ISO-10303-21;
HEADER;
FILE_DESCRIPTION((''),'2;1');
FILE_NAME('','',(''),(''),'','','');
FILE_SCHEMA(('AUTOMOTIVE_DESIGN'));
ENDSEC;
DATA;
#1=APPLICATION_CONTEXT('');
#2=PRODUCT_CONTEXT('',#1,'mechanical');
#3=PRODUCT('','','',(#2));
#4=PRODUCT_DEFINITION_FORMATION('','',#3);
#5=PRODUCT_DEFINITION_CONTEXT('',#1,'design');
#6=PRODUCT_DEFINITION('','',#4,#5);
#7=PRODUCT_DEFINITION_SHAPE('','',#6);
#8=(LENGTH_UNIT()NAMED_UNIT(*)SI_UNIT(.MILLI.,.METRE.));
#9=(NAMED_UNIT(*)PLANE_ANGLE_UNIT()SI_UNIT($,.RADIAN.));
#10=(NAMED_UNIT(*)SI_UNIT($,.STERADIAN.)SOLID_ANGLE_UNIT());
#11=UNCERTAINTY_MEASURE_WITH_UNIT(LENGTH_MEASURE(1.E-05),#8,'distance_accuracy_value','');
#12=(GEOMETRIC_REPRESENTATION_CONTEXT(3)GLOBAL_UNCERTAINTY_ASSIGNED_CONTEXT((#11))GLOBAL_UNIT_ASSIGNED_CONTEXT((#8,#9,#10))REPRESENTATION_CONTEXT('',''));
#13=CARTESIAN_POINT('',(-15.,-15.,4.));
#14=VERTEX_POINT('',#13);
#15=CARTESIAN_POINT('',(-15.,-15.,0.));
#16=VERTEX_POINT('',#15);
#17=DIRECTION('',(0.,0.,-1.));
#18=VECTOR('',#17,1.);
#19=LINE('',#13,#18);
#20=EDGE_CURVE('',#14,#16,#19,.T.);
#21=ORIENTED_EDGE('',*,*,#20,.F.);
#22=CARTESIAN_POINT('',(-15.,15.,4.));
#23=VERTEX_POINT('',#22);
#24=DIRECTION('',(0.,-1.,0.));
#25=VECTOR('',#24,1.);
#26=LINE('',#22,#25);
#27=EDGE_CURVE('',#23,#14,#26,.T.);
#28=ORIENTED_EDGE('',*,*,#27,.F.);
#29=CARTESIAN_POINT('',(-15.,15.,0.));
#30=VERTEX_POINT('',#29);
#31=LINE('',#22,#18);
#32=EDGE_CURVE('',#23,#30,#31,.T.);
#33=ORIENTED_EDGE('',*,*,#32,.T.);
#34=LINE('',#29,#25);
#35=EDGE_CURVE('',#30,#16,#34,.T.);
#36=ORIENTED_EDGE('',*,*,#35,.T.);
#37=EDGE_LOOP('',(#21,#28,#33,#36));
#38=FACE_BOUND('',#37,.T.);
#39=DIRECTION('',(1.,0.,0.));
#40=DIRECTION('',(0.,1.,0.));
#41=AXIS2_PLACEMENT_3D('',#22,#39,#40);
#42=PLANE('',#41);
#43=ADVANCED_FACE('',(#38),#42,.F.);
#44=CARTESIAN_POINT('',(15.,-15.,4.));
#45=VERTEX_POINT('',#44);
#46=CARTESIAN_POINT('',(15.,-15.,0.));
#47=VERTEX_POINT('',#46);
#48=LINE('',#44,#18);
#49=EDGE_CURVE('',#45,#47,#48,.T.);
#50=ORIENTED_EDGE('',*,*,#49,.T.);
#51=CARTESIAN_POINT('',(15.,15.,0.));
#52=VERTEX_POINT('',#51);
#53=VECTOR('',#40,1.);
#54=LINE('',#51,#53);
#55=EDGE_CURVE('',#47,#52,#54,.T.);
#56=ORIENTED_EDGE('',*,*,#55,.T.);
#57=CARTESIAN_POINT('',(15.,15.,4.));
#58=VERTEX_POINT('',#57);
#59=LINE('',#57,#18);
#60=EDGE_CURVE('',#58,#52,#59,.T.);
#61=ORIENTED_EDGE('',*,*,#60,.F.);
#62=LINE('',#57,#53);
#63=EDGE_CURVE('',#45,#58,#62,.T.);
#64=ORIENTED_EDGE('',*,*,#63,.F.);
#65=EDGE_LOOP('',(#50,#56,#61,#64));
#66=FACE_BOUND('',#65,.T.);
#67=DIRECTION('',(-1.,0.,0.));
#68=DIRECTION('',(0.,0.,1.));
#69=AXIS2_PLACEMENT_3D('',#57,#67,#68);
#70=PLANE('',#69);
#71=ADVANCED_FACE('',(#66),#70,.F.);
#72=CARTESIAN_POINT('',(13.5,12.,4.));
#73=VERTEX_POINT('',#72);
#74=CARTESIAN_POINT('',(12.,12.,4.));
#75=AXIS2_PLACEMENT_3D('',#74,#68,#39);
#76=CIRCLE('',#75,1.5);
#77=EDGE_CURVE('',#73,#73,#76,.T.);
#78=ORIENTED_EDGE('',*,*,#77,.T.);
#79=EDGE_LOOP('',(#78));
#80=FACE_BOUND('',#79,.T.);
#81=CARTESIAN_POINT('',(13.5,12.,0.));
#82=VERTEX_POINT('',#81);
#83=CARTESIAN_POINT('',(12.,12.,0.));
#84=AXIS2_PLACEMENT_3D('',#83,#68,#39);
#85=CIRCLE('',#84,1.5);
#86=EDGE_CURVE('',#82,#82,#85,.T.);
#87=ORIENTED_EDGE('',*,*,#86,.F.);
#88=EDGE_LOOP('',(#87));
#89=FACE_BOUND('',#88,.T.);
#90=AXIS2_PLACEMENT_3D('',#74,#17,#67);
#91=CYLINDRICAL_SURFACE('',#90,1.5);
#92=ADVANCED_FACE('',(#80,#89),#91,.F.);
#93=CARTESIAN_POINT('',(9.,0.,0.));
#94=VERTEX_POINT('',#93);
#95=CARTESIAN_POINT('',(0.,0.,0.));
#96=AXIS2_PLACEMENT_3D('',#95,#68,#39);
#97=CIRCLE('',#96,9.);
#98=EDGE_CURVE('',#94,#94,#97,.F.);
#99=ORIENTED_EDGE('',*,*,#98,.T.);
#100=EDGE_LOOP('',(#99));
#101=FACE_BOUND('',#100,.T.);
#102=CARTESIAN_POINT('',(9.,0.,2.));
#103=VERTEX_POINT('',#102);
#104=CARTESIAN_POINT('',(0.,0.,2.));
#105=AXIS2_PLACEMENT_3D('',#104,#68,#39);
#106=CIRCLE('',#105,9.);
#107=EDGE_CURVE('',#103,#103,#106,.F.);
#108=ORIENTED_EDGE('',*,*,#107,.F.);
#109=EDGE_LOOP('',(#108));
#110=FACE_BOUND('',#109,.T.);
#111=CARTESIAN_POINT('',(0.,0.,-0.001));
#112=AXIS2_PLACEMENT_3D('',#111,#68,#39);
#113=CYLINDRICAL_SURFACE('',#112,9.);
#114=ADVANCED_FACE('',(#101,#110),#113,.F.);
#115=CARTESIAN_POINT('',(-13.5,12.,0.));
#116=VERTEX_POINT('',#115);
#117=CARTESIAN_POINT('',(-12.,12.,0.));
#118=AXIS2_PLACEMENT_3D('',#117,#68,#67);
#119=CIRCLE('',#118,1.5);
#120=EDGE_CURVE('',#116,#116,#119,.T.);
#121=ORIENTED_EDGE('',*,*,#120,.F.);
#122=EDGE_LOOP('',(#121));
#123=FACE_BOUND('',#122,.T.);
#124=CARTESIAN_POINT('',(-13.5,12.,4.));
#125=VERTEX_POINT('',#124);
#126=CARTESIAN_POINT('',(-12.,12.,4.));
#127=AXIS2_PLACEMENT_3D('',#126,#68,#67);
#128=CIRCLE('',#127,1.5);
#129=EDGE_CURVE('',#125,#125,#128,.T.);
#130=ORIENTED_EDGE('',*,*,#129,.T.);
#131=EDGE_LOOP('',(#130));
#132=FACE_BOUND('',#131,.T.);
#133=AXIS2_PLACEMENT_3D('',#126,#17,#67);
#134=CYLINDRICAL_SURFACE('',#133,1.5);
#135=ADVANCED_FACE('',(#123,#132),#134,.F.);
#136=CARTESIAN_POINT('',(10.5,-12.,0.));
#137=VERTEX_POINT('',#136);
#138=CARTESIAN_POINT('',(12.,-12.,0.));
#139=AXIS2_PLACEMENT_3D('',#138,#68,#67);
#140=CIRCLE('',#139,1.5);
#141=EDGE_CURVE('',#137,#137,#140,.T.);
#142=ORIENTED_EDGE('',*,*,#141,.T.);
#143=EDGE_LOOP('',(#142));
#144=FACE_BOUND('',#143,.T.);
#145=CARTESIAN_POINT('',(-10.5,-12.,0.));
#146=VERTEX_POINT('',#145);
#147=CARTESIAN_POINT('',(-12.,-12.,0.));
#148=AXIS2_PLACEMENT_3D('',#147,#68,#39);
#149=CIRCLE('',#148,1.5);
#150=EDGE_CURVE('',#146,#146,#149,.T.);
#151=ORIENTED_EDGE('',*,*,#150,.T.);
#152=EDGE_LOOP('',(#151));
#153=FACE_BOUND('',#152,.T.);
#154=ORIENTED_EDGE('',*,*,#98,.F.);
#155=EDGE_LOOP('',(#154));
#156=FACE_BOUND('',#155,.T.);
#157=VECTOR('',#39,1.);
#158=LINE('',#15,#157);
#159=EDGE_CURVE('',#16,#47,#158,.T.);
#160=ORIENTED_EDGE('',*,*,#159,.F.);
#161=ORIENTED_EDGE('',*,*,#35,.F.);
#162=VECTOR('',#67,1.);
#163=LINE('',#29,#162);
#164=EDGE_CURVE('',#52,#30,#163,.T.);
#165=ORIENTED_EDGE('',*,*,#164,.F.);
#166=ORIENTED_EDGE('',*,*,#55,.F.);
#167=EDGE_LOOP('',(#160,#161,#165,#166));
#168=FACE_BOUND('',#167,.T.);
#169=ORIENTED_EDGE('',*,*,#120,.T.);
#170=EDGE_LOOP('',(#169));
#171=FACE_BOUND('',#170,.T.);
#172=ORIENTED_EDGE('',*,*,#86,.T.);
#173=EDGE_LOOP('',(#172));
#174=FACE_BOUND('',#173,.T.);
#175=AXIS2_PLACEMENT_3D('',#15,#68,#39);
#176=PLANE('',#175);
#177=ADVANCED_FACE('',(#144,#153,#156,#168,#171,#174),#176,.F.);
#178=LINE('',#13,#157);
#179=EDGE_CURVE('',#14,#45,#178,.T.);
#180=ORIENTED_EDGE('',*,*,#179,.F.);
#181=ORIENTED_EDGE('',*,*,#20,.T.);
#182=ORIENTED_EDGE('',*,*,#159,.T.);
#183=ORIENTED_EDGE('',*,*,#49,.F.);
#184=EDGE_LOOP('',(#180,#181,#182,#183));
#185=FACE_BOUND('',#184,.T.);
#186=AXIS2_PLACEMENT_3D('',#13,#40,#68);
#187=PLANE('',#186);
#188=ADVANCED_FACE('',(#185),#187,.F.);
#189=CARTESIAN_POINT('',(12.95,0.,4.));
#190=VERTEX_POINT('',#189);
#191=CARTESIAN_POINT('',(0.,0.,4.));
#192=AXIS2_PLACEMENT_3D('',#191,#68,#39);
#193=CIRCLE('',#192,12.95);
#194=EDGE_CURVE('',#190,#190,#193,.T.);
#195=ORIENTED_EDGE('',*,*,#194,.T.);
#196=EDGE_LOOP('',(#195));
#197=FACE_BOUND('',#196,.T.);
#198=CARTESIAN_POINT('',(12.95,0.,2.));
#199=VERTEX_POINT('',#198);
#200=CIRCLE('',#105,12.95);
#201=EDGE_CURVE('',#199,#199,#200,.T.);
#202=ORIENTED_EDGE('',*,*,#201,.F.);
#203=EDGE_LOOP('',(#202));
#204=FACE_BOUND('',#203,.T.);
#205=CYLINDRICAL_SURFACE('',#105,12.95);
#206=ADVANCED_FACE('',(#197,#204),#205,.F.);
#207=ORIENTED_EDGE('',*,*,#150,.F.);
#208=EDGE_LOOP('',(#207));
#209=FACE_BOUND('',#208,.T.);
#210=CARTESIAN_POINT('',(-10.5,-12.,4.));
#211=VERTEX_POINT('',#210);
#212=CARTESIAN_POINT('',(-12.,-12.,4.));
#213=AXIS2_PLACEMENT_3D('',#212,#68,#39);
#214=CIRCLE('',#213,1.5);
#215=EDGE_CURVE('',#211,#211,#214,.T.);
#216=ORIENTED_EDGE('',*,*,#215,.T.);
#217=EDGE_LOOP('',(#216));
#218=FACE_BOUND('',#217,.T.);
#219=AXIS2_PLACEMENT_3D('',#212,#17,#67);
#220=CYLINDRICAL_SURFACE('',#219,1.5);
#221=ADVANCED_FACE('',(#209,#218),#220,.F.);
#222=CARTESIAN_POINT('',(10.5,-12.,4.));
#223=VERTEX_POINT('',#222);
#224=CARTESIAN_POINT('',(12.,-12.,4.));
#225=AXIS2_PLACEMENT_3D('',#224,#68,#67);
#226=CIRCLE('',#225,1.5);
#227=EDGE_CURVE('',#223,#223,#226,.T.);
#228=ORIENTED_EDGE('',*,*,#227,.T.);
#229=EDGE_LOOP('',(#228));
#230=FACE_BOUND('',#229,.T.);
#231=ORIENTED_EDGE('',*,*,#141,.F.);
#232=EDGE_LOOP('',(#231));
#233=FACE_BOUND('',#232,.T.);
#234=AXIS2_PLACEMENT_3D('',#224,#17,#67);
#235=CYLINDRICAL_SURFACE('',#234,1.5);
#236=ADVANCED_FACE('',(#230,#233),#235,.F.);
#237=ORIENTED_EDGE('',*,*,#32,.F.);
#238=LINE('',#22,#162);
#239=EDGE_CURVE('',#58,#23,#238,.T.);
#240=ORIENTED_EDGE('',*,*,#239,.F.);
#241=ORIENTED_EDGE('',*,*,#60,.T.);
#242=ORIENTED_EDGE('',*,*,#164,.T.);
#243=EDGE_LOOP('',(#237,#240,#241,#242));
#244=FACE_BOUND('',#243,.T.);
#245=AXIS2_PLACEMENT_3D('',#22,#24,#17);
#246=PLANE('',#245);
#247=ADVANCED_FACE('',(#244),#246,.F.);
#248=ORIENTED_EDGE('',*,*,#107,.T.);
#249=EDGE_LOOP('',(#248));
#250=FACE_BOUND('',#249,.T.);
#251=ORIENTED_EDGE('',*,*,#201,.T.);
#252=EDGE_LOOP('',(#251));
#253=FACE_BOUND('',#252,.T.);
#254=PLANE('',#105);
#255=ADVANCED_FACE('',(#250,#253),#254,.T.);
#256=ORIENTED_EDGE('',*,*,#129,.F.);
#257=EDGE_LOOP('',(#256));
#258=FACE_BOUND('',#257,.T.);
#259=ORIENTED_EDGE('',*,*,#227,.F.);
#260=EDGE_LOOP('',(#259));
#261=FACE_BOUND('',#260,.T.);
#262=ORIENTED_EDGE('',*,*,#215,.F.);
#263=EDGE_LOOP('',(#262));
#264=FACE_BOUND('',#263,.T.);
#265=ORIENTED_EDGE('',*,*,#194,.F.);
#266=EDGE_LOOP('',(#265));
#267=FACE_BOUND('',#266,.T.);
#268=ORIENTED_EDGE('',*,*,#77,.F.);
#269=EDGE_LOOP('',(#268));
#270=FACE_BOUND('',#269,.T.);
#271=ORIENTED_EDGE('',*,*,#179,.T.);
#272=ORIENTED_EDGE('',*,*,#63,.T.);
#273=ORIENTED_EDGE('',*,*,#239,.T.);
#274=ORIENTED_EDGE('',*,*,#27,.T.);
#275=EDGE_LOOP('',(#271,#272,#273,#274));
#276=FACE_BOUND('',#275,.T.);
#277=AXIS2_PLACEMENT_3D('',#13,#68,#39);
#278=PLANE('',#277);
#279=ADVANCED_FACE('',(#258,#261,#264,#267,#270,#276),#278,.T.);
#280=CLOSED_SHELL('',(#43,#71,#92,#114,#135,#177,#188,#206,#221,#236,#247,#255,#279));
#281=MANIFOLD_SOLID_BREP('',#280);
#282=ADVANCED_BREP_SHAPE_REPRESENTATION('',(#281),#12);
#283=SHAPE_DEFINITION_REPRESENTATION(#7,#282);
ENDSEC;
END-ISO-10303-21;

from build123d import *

# Parameters (mm, degrees)
ESBO_O1_W                = 30
ESBO_O1_H                = 30
ESBO_O1_R                = 1.5
RESSALTO_EXTRUS_O1_DEPTH = 4
CORTE_EXTRUS_O1_REACH    = 23.587
ESBO_O2_R                = 9
ESBO_O4_R                = 12.95
CORTE_EXTRUS_O2_DEPTH    = 2


with BuildPart() as part:
    # Esboço1 → Ressalto-extrusão1 (new body)
    with BuildSketch(Plane.XY):
        Rectangle(ESBO_O1_W, ESBO_O1_H)
        with Locations((-12, -12)):
            Circle(ESBO_O1_R, mode=Mode.SUBTRACT)
        with Locations(Location((12, -12, 0), (0, 0, 180))):
            Circle(ESBO_O1_R, mode=Mode.SUBTRACT)
        with Locations((12, 12)):
            Circle(ESBO_O1_R, mode=Mode.SUBTRACT)
        with Locations(Location((-12, 12, 0), (0, 0, 180))):
            Circle(ESBO_O1_R, mode=Mode.SUBTRACT)
    extrude(amount=RESSALTO_EXTRUS_O1_DEPTH)

    # Esboço2 → Corte-extrusão1 (cut, up to next)
    with BuildSketch(Plane.XY.offset(4), mode=Mode.PRIVATE) as corte_extrus_o1_sk1:
        Circle(ESBO_O2_R)
    corte_extrus_o1_tool1 = extrude(corte_extrus_o1_sk1.sketch, amount=-CORTE_EXTRUS_O1_REACH, mode=Mode.PRIVATE) & part.part
    add(corte_extrus_o1_tool1.solids().sort_by_distance((0, 0, 4))[0], mode=Mode.SUBTRACT)

    # Esboço4 → Corte-extrusão2 (cut)
    with BuildSketch(Plane.XY.offset(4)):
        Circle(ESBO_O4_R)
    extrude(amount=-CORTE_EXTRUS_O2_DEPTH, mode=Mode.SUBTRACT)


solid = part.part
